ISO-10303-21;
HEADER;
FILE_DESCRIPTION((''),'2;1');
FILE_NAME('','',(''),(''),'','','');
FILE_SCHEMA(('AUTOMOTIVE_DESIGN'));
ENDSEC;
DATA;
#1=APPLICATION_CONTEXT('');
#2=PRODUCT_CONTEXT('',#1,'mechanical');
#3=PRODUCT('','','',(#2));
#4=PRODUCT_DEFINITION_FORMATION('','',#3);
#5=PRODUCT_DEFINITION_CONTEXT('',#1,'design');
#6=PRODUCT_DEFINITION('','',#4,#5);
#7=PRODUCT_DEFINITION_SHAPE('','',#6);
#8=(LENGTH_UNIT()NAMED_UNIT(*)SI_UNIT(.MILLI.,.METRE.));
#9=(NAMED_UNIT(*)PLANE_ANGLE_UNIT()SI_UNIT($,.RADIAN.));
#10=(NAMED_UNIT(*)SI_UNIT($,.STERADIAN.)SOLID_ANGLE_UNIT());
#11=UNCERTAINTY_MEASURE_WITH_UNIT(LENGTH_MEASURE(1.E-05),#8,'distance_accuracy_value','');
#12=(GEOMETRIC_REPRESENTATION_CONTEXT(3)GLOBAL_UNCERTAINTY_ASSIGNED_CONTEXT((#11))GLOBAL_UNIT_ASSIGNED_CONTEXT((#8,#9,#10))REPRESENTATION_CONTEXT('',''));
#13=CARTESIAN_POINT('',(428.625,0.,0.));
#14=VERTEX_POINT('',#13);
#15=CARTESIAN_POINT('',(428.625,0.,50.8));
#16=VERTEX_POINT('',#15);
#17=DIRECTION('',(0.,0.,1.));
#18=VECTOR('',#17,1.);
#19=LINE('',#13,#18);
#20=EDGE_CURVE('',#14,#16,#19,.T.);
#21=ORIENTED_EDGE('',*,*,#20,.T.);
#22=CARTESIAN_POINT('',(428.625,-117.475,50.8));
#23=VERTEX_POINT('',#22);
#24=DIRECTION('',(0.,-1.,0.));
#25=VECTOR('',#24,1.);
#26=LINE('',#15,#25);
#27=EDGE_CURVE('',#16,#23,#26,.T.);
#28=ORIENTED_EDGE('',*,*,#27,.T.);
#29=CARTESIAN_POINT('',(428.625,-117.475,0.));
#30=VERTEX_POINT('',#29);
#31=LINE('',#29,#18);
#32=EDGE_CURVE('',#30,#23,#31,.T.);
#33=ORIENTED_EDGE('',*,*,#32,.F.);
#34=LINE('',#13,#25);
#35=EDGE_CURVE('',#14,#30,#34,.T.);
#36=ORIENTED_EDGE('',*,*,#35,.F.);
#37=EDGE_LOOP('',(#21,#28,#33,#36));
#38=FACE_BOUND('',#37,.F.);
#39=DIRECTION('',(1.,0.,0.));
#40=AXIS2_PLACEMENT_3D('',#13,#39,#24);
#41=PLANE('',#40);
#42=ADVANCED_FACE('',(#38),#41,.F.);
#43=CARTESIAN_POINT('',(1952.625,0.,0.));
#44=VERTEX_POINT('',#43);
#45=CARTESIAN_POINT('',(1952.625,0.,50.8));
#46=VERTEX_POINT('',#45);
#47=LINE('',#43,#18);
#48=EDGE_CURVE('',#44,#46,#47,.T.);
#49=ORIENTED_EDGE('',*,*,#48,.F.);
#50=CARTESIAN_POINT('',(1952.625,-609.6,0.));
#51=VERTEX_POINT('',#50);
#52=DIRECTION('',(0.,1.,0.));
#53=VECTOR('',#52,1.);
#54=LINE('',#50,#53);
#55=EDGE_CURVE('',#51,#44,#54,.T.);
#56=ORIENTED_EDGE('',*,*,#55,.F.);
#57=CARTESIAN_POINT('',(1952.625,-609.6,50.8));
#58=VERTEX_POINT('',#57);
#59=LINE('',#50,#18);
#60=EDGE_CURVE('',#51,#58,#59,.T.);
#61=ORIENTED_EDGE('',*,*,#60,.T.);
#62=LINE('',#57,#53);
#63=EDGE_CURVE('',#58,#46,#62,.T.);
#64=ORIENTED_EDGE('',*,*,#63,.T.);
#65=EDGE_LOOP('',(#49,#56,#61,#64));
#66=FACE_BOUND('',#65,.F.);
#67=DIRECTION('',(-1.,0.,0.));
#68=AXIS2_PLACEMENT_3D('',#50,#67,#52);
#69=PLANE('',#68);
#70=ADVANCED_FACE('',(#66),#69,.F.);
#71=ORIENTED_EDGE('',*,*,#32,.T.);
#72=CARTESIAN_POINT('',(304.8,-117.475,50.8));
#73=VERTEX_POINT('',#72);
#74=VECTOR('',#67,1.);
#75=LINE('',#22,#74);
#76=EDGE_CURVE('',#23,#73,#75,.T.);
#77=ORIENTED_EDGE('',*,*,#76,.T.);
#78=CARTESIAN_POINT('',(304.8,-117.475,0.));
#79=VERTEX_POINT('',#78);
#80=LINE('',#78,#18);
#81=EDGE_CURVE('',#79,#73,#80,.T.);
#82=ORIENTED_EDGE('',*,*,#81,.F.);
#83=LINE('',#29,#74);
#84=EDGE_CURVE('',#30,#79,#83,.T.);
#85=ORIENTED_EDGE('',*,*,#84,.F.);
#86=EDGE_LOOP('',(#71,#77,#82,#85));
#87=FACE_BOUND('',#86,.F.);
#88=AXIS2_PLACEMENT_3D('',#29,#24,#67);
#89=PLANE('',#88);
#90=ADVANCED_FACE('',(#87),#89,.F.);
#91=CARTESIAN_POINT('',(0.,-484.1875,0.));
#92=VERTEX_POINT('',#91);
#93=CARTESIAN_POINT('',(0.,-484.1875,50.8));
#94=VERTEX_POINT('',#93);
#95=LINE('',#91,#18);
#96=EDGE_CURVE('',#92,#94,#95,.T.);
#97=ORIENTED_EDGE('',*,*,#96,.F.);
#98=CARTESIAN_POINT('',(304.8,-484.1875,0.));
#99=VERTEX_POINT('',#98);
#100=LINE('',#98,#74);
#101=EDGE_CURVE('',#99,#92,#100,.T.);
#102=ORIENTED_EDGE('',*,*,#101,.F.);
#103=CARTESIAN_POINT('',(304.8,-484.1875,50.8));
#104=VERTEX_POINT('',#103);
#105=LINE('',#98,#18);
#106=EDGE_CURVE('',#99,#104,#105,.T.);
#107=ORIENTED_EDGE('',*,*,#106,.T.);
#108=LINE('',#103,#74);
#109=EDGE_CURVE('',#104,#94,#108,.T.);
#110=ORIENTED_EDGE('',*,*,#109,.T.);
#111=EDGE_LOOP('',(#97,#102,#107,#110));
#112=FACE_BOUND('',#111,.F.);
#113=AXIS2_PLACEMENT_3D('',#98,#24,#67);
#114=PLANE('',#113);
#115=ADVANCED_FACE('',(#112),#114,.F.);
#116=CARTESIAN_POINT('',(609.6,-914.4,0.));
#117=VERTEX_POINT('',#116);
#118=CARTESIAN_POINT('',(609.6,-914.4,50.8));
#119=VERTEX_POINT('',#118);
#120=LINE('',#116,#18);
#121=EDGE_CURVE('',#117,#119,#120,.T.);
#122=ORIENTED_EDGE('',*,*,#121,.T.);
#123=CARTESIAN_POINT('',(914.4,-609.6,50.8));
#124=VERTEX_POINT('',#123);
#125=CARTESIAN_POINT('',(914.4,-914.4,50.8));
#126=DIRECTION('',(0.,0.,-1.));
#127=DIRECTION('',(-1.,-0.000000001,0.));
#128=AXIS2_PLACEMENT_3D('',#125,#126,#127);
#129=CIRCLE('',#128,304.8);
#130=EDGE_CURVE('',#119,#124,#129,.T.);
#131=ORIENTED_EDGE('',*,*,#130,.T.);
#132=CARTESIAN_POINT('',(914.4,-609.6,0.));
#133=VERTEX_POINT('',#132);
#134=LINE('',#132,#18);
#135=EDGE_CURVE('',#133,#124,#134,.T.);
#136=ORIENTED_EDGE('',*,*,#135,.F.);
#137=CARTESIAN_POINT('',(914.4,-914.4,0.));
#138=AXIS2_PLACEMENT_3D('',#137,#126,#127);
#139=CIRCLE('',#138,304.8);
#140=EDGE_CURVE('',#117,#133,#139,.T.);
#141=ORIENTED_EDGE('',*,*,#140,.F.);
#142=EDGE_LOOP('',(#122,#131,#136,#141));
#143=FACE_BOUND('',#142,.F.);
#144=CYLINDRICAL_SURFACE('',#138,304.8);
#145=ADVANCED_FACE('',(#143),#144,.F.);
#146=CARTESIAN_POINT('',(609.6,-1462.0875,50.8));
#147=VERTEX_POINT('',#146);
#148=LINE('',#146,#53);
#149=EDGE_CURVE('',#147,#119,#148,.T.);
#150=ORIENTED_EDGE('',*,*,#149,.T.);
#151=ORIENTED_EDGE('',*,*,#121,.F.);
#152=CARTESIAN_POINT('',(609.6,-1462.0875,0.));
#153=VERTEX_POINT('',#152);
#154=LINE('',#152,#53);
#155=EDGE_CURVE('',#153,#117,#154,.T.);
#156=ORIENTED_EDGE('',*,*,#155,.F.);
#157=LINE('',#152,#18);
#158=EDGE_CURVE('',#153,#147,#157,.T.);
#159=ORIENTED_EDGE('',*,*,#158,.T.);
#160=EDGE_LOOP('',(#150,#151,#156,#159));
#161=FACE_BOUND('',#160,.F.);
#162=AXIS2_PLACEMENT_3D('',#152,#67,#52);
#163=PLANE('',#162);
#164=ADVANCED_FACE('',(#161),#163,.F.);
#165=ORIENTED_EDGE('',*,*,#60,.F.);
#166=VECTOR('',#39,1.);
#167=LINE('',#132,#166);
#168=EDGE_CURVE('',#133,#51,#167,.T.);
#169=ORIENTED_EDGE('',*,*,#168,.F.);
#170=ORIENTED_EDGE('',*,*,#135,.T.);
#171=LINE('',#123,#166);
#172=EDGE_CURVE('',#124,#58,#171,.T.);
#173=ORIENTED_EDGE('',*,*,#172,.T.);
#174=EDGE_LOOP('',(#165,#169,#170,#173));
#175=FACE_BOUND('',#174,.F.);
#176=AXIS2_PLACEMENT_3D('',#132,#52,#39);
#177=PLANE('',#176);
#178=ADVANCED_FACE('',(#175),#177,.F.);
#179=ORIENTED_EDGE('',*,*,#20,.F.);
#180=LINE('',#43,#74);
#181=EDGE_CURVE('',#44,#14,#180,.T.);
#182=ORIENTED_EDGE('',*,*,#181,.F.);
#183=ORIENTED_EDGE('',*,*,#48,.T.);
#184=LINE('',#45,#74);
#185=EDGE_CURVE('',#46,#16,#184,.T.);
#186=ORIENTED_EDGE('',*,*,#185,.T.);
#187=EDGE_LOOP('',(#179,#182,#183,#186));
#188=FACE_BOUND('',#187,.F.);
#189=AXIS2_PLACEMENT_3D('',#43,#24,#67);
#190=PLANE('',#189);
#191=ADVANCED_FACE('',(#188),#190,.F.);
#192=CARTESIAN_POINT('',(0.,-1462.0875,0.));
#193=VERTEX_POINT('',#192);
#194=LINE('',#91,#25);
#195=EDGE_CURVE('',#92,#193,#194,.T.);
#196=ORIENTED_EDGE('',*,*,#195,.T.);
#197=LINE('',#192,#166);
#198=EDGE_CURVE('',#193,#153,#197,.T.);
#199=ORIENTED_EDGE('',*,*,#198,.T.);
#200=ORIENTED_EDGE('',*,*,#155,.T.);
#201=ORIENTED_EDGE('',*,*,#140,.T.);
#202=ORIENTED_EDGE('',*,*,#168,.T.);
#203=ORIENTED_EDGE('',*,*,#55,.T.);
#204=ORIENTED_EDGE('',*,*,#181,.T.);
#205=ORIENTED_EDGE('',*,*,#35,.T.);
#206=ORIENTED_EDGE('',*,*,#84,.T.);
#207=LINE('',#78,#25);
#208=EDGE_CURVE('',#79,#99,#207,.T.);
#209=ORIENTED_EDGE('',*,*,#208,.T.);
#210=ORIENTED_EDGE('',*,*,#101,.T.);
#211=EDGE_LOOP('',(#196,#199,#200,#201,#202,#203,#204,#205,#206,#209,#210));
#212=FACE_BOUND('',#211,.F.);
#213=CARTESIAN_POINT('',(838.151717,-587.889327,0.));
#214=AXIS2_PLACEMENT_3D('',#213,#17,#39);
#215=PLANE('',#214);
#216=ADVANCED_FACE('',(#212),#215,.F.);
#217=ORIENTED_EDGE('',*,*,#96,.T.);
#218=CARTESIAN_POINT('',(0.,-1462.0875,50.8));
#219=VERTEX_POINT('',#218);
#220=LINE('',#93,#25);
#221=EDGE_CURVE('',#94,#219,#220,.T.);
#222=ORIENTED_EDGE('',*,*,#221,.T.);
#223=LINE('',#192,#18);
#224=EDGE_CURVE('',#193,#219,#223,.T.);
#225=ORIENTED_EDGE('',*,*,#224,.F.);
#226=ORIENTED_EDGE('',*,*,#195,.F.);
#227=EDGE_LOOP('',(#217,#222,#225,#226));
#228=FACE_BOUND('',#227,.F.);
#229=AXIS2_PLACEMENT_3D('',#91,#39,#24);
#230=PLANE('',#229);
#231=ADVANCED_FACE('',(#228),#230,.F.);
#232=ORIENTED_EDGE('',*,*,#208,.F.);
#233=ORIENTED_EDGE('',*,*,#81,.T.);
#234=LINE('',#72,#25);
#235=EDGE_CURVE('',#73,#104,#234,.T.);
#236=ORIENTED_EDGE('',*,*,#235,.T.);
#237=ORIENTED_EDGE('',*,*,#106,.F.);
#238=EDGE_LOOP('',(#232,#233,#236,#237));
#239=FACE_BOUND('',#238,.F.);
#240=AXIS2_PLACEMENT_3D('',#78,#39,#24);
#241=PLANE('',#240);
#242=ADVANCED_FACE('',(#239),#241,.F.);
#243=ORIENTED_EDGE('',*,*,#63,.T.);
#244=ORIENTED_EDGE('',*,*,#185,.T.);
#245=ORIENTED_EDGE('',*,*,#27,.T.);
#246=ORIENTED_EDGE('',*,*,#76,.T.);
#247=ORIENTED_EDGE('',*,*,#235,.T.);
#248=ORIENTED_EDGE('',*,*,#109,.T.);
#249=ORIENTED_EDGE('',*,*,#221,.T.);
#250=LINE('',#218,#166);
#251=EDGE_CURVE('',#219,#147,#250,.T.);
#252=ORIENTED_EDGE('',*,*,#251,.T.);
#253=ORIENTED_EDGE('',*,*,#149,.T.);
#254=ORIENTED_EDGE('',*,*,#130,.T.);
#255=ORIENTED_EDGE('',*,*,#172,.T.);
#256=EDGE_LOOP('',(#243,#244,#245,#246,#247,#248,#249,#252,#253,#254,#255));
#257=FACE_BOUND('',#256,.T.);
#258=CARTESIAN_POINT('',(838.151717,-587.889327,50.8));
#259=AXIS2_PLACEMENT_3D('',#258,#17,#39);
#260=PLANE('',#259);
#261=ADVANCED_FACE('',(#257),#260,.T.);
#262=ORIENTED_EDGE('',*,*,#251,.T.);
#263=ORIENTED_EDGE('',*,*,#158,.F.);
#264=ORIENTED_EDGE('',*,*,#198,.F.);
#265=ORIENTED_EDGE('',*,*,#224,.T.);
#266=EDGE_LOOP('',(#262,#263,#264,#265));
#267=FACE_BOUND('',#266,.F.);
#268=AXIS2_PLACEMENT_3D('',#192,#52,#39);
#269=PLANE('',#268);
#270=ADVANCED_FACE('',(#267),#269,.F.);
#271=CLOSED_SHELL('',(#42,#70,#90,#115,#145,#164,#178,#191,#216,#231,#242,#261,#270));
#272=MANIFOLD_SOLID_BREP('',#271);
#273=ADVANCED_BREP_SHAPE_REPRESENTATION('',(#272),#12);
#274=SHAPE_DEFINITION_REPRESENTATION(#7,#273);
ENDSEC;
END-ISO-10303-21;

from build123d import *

# Parameters (mm, degrees)
F1_DEPTH = 50.8


with BuildPart() as f1:
    # F0 (on Top) → F1 (new body)
    with BuildSketch(Plane.XY):
        with BuildLine():
            Line((0, -484.1875), (0, -1462.0875))
            Line((0, -1462.0875), (609.6, -1462.0875))
            Line((609.6, -1462.0875), (609.6, -914.4))
            ThreePointArc((609.6, -914.4), (698.873853, -698.873853), (914.4, -609.6))
            Line((914.4, -609.6), (1952.625, -609.6))
            Line((1952.625, -609.6), (1952.625, 0))
            Line((1952.625, 0), (428.625, 0))
            Line((428.625, 0), (428.625, -117.475))
            Line((428.625, -117.475), (304.8, -117.475))
            Line((304.8, -117.475), (304.8, -484.1875))
            Line((304.8, -484.1875), (0, -484.1875))
        make_face()
    extrude(amount=F1_DEPTH)


solid = f1.part
